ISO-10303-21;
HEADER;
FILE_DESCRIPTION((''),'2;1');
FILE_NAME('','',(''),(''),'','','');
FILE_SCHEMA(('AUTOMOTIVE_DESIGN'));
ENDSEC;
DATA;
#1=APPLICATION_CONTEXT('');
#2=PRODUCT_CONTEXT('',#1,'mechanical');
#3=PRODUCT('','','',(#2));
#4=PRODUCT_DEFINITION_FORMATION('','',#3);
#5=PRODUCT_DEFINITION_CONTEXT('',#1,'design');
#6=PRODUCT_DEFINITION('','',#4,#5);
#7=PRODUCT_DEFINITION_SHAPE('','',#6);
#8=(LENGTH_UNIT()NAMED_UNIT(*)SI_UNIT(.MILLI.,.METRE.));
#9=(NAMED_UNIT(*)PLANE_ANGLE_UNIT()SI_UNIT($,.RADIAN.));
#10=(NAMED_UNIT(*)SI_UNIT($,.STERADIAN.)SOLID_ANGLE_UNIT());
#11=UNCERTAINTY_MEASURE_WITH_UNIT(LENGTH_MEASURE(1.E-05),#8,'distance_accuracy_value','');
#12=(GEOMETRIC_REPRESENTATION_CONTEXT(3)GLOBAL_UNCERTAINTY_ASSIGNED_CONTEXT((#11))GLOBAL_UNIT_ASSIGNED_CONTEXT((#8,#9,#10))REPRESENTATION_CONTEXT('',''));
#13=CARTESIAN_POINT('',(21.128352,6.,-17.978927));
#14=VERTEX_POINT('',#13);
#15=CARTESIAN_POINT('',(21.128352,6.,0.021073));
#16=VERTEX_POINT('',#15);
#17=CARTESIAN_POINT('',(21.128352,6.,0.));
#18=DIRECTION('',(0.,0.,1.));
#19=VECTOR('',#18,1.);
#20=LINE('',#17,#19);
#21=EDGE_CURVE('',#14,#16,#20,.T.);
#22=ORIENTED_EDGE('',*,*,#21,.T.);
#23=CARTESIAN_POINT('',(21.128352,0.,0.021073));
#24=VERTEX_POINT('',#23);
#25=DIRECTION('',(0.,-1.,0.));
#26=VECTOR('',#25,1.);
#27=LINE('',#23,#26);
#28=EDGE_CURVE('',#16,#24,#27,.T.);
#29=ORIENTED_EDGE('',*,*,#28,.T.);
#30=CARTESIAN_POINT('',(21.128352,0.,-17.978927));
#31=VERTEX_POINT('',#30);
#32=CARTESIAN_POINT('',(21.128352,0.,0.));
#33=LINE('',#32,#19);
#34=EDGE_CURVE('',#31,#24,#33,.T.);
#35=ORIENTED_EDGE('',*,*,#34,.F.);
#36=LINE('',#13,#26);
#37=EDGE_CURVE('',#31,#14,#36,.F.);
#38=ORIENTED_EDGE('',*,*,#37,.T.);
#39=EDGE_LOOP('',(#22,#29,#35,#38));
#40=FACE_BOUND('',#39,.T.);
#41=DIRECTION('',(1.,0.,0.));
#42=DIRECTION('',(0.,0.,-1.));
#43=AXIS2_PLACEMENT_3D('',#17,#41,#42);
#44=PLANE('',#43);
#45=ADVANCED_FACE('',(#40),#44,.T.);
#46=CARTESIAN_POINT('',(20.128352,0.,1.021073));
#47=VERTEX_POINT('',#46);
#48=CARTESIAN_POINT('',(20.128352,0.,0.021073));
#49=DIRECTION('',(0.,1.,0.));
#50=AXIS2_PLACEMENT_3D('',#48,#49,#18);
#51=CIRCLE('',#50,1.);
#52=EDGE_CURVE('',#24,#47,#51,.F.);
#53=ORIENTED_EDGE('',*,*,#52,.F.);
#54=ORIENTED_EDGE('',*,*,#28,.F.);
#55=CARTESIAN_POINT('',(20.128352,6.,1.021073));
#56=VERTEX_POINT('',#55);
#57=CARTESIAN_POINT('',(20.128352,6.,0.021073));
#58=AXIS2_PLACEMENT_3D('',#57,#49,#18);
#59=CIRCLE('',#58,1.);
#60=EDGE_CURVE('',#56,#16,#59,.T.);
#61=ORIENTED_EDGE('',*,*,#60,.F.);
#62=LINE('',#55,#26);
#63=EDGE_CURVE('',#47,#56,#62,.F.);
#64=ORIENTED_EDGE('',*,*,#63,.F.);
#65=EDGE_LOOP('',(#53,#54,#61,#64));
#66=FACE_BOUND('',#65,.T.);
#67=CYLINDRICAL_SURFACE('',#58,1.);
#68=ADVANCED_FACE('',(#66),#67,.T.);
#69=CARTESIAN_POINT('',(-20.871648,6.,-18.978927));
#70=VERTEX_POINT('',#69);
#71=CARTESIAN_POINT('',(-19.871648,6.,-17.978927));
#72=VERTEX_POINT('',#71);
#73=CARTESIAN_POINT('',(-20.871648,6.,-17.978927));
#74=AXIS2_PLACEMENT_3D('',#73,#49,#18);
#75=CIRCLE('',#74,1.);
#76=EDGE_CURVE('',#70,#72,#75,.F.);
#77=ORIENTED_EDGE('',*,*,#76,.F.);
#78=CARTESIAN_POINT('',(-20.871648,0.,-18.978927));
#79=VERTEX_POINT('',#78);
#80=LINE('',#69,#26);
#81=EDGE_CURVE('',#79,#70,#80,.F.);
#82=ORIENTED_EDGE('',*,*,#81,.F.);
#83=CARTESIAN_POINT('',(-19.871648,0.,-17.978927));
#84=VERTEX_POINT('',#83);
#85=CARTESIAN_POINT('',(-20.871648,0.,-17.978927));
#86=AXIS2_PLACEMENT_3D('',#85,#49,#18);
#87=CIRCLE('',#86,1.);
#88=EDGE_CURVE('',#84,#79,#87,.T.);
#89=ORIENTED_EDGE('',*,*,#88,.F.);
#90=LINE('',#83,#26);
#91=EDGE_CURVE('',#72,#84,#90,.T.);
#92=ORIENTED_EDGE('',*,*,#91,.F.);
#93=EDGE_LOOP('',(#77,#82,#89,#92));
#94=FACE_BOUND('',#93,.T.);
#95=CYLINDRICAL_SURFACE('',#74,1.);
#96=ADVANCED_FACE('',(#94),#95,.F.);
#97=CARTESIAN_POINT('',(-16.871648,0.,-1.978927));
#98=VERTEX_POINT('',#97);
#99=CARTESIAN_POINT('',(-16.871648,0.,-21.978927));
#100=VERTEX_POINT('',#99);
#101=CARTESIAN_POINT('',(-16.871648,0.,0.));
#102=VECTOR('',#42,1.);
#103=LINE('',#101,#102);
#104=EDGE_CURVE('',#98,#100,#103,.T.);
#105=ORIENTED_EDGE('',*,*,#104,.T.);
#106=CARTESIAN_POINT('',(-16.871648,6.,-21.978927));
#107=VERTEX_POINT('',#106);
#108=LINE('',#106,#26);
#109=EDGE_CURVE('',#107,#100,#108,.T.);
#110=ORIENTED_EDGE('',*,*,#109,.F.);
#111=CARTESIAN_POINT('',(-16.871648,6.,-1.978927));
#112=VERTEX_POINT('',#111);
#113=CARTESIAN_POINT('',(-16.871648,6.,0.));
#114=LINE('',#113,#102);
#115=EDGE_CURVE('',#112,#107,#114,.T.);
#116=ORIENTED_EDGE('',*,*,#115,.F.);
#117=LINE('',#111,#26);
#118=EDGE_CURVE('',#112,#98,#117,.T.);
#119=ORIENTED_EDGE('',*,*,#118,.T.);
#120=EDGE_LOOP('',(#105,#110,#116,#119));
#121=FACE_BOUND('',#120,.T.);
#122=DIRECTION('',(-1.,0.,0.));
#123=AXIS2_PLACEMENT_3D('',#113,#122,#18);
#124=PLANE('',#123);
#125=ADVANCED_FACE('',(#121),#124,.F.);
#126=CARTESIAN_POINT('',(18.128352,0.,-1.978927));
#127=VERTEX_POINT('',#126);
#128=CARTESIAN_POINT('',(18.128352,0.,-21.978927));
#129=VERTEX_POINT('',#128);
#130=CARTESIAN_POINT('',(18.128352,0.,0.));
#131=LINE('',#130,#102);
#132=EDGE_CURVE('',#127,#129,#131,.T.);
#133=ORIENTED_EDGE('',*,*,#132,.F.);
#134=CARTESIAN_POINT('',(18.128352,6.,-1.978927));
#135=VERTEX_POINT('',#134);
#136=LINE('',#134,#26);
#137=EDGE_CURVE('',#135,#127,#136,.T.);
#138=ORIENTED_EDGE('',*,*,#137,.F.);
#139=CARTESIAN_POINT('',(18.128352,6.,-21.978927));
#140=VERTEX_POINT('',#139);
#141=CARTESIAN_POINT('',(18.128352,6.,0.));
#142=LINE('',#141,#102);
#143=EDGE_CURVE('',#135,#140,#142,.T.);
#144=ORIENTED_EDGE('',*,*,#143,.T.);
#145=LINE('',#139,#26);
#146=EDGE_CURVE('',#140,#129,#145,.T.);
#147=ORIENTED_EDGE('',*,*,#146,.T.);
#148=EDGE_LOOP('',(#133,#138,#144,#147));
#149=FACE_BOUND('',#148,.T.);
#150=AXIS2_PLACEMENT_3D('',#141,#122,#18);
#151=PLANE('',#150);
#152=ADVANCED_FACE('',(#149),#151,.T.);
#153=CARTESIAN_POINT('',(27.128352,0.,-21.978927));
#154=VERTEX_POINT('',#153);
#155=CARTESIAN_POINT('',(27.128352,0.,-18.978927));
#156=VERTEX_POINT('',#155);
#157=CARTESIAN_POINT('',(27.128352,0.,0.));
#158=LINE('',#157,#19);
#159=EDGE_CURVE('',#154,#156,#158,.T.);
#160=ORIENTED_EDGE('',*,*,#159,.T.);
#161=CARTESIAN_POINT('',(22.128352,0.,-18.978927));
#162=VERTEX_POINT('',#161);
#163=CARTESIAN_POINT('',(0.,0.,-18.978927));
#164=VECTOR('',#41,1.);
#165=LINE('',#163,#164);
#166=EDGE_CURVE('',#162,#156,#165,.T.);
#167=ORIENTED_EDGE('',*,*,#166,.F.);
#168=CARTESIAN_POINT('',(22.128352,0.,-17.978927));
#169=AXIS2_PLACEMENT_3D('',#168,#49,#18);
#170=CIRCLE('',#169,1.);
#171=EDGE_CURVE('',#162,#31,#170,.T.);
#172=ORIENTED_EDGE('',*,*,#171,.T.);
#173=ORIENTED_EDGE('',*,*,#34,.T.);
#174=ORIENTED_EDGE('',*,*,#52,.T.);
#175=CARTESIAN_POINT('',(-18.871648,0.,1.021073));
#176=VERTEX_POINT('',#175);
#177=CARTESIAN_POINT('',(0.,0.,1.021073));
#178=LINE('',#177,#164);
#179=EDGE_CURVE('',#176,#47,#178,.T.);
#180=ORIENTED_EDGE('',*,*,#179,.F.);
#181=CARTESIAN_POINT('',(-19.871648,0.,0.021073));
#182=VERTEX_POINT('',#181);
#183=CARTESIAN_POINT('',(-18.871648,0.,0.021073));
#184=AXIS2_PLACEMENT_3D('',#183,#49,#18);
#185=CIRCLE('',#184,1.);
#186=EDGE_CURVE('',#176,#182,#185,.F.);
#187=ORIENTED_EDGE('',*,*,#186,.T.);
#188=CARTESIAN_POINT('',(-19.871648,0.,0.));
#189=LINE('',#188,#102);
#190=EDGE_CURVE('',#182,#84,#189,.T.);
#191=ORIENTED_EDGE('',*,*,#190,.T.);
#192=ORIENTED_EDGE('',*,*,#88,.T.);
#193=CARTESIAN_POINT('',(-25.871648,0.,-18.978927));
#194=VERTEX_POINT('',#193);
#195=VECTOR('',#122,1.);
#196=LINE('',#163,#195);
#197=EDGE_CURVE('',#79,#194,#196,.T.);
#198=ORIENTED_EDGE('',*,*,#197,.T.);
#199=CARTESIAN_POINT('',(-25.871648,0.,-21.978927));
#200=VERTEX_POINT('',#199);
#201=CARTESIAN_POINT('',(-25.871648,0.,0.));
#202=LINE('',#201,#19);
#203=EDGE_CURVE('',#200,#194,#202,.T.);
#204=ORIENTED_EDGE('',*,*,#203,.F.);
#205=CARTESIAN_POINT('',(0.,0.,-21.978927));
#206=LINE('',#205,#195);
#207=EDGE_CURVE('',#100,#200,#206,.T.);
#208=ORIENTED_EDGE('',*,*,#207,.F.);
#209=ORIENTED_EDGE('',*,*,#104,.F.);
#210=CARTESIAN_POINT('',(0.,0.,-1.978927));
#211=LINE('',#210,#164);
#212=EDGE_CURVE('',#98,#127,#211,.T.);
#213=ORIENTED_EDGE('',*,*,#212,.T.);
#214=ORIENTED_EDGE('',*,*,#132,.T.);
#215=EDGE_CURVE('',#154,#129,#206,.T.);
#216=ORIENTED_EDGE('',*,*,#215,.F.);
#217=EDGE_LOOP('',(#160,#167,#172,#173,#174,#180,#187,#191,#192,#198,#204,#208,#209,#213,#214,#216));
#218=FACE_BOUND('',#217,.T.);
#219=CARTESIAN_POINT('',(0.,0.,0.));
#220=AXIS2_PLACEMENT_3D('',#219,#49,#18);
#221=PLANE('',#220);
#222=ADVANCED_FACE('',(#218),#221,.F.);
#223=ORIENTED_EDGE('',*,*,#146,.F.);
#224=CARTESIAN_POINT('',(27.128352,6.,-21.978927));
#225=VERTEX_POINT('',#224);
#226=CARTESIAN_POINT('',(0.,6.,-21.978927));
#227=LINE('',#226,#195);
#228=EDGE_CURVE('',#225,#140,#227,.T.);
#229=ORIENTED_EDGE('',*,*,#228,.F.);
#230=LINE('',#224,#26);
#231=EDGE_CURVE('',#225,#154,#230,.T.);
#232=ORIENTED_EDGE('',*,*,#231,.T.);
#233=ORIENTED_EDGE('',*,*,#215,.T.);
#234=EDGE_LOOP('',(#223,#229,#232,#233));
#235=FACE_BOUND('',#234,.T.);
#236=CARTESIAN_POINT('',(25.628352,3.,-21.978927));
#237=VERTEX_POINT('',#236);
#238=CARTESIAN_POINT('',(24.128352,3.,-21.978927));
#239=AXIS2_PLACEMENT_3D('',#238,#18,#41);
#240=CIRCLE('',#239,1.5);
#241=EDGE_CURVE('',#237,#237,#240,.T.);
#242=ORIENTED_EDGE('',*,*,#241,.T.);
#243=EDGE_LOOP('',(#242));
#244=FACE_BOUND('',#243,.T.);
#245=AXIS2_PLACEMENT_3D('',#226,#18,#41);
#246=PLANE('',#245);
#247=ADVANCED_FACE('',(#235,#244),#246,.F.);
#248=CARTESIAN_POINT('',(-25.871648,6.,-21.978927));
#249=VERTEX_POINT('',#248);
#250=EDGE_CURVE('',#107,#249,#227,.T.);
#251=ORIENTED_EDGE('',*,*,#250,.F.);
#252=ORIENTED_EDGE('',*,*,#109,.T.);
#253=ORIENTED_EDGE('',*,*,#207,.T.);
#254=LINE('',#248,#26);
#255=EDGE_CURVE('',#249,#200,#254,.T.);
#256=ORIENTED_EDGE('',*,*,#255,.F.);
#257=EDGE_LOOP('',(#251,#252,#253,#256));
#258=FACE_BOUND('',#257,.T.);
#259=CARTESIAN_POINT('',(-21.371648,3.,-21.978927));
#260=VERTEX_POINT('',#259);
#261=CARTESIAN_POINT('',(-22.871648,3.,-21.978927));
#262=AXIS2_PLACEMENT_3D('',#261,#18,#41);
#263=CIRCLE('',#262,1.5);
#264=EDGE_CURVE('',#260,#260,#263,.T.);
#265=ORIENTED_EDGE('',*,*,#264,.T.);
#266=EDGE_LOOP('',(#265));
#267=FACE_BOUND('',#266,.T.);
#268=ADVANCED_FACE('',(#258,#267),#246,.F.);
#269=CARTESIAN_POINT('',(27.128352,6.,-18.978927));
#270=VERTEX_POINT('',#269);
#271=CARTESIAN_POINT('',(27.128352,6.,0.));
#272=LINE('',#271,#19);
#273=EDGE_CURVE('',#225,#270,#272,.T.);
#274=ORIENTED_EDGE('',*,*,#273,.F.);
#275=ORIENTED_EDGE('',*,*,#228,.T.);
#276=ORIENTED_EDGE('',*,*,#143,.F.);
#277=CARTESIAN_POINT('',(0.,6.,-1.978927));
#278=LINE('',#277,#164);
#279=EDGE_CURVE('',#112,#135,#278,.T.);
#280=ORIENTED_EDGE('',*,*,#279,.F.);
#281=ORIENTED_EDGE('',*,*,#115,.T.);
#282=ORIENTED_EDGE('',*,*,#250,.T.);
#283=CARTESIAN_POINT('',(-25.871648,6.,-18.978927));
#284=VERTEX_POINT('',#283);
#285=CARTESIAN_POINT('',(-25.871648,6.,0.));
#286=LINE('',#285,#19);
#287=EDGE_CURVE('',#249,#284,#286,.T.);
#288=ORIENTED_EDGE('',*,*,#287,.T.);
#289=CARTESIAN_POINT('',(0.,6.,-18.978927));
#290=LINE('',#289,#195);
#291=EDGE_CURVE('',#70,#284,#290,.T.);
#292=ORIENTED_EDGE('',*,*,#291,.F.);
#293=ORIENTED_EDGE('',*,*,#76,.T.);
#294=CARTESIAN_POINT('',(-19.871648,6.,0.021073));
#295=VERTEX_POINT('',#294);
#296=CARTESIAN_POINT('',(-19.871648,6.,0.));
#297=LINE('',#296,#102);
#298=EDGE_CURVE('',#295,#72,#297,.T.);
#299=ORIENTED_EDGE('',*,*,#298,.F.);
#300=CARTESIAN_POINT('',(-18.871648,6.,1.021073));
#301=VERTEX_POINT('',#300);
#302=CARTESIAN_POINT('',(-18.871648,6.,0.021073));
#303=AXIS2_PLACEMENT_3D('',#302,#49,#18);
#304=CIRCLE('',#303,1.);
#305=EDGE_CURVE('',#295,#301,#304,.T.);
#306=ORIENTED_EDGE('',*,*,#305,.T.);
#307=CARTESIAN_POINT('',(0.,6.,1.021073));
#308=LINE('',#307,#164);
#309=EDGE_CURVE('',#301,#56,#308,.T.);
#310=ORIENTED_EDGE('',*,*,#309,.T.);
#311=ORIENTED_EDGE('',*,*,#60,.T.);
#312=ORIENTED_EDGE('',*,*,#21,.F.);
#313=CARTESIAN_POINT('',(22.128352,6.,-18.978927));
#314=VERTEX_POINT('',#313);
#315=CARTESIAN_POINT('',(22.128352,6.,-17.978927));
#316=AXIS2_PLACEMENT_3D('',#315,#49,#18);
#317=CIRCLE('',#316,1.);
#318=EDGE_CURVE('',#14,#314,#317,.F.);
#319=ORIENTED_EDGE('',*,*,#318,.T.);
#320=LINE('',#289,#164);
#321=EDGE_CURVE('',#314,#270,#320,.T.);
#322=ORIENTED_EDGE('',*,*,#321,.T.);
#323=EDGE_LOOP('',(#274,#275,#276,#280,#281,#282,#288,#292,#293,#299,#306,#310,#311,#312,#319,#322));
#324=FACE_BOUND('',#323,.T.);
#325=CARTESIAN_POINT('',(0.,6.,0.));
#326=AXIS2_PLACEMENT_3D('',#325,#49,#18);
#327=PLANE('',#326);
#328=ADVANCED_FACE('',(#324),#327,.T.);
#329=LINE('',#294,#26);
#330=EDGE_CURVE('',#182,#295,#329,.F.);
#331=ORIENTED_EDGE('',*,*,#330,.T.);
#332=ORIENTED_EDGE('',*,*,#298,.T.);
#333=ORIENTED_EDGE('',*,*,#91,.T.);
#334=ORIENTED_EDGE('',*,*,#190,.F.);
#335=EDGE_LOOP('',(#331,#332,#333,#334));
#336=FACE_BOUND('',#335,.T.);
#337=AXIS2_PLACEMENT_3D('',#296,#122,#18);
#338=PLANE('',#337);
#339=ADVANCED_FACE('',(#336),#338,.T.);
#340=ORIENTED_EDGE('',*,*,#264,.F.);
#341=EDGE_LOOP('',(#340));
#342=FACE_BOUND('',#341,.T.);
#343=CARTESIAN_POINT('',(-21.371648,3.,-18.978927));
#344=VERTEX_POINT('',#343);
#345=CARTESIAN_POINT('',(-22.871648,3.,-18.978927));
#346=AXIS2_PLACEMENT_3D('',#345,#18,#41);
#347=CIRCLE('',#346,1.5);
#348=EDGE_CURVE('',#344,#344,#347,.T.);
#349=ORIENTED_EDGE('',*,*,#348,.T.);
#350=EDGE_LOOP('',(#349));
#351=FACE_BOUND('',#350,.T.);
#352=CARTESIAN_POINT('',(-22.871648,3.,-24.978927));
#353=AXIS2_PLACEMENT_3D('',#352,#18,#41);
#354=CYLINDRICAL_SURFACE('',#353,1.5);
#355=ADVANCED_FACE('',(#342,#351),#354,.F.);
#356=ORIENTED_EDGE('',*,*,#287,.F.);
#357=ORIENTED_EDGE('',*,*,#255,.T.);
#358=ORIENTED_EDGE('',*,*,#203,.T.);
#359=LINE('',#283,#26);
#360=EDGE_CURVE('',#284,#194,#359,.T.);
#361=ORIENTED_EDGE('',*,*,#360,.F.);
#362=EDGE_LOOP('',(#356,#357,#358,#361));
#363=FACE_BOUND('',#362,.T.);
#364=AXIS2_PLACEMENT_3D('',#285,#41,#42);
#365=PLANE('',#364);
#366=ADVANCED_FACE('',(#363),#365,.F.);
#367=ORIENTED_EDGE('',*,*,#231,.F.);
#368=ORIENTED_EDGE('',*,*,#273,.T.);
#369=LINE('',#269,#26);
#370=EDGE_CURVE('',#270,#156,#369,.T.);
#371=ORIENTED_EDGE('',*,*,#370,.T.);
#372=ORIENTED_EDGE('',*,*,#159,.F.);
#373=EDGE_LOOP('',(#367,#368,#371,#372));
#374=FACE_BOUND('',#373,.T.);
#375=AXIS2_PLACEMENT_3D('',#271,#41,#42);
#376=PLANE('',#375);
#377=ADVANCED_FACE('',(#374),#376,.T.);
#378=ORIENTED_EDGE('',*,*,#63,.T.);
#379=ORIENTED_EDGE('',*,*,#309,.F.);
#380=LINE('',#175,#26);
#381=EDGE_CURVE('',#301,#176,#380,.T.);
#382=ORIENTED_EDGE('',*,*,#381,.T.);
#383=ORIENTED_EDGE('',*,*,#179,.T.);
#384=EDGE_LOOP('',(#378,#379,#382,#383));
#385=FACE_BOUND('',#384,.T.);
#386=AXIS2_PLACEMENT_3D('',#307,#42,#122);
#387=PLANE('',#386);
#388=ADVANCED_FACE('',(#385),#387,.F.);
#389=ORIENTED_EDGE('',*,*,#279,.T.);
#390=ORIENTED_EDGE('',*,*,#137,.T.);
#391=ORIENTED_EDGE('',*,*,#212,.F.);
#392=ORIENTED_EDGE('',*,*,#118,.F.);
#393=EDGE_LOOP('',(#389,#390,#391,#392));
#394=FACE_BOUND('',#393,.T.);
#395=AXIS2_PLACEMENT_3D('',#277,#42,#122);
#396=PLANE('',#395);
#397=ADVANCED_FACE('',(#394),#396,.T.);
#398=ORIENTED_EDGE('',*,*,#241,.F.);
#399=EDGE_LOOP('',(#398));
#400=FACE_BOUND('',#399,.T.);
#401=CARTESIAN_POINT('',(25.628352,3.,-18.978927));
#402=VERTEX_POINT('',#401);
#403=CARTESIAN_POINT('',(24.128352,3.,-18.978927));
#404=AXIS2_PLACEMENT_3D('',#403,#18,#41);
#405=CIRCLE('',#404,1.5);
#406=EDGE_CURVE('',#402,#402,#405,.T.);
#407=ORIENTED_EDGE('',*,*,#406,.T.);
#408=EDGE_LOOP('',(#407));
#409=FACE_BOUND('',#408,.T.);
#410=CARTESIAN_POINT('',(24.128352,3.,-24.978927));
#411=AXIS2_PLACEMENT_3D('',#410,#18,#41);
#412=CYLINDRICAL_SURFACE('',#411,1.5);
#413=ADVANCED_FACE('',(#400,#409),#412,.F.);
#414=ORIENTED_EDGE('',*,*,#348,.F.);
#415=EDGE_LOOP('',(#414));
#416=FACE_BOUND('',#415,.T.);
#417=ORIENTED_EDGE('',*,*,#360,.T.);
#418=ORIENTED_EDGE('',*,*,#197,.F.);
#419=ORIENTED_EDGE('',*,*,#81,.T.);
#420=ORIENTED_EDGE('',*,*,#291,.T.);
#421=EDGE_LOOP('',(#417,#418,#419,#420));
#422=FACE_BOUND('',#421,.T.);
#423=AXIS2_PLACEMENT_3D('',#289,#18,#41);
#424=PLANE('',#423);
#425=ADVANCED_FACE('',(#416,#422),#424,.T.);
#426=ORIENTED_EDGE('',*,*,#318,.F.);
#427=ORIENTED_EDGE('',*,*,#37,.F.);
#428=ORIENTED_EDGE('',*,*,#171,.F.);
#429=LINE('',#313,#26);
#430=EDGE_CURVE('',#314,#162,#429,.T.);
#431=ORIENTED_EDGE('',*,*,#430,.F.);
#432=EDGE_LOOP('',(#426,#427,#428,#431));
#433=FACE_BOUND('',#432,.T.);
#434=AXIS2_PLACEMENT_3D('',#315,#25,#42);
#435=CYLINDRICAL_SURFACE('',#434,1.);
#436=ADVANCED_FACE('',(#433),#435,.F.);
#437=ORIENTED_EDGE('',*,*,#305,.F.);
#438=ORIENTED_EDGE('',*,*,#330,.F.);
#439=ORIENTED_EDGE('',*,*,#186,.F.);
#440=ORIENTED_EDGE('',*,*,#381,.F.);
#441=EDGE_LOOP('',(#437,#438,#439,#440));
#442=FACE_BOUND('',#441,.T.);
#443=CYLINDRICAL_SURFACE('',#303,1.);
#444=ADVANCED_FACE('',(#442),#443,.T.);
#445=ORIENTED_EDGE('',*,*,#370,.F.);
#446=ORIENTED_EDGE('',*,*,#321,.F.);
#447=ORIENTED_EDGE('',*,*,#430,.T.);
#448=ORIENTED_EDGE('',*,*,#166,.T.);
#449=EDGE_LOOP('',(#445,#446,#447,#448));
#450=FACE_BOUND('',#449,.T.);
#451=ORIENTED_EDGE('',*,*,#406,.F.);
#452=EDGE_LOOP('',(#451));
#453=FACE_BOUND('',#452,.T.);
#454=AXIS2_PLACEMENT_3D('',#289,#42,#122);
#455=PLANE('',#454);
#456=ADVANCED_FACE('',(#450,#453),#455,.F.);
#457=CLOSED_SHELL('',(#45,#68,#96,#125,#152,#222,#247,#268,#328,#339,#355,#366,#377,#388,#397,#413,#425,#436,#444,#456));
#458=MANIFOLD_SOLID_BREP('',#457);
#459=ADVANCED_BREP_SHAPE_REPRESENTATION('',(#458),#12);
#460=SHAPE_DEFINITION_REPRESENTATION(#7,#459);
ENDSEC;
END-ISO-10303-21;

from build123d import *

# Parameters (mm, degrees)
SKETCH1_W           = 6
SKETCH1_H           = 3
SKETCH1_W_2         = 41
BOSS_EXTRUDE1_DEPTH = 6
SKETCH2_R           = 1.5
CUT_EXTRUDE1_DEPTH  = 6
FILLET1_R           = 1
FILLET2_R           = 1
FILLET3_R           = 1
FILLET4_R           = 1


with BuildPart() as part:
    # Sketch1 → Boss-Extrude1 (new body)
    with BuildSketch(Plane(origin=(0, 0, 0), x_dir=(1, 0, 0), z_dir=(0, 1, 0))):
        with Locations((-22.87164751, 20.478927203)):
            Rectangle(SKETCH1_W, SKETCH1_H)
        Polygon((-19.87164751, 18.978927203), (-19.87164751, 1.978927203), (-16.87164751, 1.978927203), (-16.87164751, 21.978927203), (-19.87164751, 21.978927203), align=None)
        with Locations((0.62835249, 0.478927203)):
            Rectangle(SKETCH1_W_2, SKETCH1_H)
        Polygon((18.12835249, 21.978927203), (18.12835249, 1.978927203), (21.12835249, 1.978927203), (21.12835249, 18.978927203), (21.12835249, 21.978927203), align=None)
        with Locations((24.12835249, 20.478927203)):
            Rectangle(SKETCH1_W, SKETCH1_H)
    extrude(amount=BOSS_EXTRUDE1_DEPTH)

    # Sketch2 → Cut-Extrude1 (cut)
    with BuildSketch(Plane.XY.offset(-18.978927203)):
        with Locations((-22.87164751, 3)):
            Circle(SKETCH2_R)
        with Locations((24.12835249, 3)):
            Circle(SKETCH2_R)
    extrude(amount=-CUT_EXTRUDE1_DEPTH, mode=Mode.SUBTRACT)

    # Fillet1
    fillet1_edges = [part.edges().sort_by_distance(p)[0] for p in [
        (-19.87164751, 3, -18.978927203),
    ]]
    fillet(fillet1_edges, radius=FILLET1_R)

    # Fillet2
    fillet2_edges = [part.edges().sort_by_distance(p)[0] for p in [
        (21.12835249, 3, -18.978927203),
    ]]
    fillet(fillet2_edges, radius=FILLET2_R)

    # Fillet3
    fillet3_edges = [part.edges().sort_by_distance(p)[0] for p in [
        (21.12835249, 3, 1.021072797),
    ]]
    fillet(fillet3_edges, radius=FILLET3_R)

    # Fillet4
    fillet4_edges = [part.edges().sort_by_distance(p)[0] for p in [
        (-19.87164751, 3, 1.021072797),
    ]]
    fillet(fillet4_edges, radius=FILLET4_R)


solid = part.part
